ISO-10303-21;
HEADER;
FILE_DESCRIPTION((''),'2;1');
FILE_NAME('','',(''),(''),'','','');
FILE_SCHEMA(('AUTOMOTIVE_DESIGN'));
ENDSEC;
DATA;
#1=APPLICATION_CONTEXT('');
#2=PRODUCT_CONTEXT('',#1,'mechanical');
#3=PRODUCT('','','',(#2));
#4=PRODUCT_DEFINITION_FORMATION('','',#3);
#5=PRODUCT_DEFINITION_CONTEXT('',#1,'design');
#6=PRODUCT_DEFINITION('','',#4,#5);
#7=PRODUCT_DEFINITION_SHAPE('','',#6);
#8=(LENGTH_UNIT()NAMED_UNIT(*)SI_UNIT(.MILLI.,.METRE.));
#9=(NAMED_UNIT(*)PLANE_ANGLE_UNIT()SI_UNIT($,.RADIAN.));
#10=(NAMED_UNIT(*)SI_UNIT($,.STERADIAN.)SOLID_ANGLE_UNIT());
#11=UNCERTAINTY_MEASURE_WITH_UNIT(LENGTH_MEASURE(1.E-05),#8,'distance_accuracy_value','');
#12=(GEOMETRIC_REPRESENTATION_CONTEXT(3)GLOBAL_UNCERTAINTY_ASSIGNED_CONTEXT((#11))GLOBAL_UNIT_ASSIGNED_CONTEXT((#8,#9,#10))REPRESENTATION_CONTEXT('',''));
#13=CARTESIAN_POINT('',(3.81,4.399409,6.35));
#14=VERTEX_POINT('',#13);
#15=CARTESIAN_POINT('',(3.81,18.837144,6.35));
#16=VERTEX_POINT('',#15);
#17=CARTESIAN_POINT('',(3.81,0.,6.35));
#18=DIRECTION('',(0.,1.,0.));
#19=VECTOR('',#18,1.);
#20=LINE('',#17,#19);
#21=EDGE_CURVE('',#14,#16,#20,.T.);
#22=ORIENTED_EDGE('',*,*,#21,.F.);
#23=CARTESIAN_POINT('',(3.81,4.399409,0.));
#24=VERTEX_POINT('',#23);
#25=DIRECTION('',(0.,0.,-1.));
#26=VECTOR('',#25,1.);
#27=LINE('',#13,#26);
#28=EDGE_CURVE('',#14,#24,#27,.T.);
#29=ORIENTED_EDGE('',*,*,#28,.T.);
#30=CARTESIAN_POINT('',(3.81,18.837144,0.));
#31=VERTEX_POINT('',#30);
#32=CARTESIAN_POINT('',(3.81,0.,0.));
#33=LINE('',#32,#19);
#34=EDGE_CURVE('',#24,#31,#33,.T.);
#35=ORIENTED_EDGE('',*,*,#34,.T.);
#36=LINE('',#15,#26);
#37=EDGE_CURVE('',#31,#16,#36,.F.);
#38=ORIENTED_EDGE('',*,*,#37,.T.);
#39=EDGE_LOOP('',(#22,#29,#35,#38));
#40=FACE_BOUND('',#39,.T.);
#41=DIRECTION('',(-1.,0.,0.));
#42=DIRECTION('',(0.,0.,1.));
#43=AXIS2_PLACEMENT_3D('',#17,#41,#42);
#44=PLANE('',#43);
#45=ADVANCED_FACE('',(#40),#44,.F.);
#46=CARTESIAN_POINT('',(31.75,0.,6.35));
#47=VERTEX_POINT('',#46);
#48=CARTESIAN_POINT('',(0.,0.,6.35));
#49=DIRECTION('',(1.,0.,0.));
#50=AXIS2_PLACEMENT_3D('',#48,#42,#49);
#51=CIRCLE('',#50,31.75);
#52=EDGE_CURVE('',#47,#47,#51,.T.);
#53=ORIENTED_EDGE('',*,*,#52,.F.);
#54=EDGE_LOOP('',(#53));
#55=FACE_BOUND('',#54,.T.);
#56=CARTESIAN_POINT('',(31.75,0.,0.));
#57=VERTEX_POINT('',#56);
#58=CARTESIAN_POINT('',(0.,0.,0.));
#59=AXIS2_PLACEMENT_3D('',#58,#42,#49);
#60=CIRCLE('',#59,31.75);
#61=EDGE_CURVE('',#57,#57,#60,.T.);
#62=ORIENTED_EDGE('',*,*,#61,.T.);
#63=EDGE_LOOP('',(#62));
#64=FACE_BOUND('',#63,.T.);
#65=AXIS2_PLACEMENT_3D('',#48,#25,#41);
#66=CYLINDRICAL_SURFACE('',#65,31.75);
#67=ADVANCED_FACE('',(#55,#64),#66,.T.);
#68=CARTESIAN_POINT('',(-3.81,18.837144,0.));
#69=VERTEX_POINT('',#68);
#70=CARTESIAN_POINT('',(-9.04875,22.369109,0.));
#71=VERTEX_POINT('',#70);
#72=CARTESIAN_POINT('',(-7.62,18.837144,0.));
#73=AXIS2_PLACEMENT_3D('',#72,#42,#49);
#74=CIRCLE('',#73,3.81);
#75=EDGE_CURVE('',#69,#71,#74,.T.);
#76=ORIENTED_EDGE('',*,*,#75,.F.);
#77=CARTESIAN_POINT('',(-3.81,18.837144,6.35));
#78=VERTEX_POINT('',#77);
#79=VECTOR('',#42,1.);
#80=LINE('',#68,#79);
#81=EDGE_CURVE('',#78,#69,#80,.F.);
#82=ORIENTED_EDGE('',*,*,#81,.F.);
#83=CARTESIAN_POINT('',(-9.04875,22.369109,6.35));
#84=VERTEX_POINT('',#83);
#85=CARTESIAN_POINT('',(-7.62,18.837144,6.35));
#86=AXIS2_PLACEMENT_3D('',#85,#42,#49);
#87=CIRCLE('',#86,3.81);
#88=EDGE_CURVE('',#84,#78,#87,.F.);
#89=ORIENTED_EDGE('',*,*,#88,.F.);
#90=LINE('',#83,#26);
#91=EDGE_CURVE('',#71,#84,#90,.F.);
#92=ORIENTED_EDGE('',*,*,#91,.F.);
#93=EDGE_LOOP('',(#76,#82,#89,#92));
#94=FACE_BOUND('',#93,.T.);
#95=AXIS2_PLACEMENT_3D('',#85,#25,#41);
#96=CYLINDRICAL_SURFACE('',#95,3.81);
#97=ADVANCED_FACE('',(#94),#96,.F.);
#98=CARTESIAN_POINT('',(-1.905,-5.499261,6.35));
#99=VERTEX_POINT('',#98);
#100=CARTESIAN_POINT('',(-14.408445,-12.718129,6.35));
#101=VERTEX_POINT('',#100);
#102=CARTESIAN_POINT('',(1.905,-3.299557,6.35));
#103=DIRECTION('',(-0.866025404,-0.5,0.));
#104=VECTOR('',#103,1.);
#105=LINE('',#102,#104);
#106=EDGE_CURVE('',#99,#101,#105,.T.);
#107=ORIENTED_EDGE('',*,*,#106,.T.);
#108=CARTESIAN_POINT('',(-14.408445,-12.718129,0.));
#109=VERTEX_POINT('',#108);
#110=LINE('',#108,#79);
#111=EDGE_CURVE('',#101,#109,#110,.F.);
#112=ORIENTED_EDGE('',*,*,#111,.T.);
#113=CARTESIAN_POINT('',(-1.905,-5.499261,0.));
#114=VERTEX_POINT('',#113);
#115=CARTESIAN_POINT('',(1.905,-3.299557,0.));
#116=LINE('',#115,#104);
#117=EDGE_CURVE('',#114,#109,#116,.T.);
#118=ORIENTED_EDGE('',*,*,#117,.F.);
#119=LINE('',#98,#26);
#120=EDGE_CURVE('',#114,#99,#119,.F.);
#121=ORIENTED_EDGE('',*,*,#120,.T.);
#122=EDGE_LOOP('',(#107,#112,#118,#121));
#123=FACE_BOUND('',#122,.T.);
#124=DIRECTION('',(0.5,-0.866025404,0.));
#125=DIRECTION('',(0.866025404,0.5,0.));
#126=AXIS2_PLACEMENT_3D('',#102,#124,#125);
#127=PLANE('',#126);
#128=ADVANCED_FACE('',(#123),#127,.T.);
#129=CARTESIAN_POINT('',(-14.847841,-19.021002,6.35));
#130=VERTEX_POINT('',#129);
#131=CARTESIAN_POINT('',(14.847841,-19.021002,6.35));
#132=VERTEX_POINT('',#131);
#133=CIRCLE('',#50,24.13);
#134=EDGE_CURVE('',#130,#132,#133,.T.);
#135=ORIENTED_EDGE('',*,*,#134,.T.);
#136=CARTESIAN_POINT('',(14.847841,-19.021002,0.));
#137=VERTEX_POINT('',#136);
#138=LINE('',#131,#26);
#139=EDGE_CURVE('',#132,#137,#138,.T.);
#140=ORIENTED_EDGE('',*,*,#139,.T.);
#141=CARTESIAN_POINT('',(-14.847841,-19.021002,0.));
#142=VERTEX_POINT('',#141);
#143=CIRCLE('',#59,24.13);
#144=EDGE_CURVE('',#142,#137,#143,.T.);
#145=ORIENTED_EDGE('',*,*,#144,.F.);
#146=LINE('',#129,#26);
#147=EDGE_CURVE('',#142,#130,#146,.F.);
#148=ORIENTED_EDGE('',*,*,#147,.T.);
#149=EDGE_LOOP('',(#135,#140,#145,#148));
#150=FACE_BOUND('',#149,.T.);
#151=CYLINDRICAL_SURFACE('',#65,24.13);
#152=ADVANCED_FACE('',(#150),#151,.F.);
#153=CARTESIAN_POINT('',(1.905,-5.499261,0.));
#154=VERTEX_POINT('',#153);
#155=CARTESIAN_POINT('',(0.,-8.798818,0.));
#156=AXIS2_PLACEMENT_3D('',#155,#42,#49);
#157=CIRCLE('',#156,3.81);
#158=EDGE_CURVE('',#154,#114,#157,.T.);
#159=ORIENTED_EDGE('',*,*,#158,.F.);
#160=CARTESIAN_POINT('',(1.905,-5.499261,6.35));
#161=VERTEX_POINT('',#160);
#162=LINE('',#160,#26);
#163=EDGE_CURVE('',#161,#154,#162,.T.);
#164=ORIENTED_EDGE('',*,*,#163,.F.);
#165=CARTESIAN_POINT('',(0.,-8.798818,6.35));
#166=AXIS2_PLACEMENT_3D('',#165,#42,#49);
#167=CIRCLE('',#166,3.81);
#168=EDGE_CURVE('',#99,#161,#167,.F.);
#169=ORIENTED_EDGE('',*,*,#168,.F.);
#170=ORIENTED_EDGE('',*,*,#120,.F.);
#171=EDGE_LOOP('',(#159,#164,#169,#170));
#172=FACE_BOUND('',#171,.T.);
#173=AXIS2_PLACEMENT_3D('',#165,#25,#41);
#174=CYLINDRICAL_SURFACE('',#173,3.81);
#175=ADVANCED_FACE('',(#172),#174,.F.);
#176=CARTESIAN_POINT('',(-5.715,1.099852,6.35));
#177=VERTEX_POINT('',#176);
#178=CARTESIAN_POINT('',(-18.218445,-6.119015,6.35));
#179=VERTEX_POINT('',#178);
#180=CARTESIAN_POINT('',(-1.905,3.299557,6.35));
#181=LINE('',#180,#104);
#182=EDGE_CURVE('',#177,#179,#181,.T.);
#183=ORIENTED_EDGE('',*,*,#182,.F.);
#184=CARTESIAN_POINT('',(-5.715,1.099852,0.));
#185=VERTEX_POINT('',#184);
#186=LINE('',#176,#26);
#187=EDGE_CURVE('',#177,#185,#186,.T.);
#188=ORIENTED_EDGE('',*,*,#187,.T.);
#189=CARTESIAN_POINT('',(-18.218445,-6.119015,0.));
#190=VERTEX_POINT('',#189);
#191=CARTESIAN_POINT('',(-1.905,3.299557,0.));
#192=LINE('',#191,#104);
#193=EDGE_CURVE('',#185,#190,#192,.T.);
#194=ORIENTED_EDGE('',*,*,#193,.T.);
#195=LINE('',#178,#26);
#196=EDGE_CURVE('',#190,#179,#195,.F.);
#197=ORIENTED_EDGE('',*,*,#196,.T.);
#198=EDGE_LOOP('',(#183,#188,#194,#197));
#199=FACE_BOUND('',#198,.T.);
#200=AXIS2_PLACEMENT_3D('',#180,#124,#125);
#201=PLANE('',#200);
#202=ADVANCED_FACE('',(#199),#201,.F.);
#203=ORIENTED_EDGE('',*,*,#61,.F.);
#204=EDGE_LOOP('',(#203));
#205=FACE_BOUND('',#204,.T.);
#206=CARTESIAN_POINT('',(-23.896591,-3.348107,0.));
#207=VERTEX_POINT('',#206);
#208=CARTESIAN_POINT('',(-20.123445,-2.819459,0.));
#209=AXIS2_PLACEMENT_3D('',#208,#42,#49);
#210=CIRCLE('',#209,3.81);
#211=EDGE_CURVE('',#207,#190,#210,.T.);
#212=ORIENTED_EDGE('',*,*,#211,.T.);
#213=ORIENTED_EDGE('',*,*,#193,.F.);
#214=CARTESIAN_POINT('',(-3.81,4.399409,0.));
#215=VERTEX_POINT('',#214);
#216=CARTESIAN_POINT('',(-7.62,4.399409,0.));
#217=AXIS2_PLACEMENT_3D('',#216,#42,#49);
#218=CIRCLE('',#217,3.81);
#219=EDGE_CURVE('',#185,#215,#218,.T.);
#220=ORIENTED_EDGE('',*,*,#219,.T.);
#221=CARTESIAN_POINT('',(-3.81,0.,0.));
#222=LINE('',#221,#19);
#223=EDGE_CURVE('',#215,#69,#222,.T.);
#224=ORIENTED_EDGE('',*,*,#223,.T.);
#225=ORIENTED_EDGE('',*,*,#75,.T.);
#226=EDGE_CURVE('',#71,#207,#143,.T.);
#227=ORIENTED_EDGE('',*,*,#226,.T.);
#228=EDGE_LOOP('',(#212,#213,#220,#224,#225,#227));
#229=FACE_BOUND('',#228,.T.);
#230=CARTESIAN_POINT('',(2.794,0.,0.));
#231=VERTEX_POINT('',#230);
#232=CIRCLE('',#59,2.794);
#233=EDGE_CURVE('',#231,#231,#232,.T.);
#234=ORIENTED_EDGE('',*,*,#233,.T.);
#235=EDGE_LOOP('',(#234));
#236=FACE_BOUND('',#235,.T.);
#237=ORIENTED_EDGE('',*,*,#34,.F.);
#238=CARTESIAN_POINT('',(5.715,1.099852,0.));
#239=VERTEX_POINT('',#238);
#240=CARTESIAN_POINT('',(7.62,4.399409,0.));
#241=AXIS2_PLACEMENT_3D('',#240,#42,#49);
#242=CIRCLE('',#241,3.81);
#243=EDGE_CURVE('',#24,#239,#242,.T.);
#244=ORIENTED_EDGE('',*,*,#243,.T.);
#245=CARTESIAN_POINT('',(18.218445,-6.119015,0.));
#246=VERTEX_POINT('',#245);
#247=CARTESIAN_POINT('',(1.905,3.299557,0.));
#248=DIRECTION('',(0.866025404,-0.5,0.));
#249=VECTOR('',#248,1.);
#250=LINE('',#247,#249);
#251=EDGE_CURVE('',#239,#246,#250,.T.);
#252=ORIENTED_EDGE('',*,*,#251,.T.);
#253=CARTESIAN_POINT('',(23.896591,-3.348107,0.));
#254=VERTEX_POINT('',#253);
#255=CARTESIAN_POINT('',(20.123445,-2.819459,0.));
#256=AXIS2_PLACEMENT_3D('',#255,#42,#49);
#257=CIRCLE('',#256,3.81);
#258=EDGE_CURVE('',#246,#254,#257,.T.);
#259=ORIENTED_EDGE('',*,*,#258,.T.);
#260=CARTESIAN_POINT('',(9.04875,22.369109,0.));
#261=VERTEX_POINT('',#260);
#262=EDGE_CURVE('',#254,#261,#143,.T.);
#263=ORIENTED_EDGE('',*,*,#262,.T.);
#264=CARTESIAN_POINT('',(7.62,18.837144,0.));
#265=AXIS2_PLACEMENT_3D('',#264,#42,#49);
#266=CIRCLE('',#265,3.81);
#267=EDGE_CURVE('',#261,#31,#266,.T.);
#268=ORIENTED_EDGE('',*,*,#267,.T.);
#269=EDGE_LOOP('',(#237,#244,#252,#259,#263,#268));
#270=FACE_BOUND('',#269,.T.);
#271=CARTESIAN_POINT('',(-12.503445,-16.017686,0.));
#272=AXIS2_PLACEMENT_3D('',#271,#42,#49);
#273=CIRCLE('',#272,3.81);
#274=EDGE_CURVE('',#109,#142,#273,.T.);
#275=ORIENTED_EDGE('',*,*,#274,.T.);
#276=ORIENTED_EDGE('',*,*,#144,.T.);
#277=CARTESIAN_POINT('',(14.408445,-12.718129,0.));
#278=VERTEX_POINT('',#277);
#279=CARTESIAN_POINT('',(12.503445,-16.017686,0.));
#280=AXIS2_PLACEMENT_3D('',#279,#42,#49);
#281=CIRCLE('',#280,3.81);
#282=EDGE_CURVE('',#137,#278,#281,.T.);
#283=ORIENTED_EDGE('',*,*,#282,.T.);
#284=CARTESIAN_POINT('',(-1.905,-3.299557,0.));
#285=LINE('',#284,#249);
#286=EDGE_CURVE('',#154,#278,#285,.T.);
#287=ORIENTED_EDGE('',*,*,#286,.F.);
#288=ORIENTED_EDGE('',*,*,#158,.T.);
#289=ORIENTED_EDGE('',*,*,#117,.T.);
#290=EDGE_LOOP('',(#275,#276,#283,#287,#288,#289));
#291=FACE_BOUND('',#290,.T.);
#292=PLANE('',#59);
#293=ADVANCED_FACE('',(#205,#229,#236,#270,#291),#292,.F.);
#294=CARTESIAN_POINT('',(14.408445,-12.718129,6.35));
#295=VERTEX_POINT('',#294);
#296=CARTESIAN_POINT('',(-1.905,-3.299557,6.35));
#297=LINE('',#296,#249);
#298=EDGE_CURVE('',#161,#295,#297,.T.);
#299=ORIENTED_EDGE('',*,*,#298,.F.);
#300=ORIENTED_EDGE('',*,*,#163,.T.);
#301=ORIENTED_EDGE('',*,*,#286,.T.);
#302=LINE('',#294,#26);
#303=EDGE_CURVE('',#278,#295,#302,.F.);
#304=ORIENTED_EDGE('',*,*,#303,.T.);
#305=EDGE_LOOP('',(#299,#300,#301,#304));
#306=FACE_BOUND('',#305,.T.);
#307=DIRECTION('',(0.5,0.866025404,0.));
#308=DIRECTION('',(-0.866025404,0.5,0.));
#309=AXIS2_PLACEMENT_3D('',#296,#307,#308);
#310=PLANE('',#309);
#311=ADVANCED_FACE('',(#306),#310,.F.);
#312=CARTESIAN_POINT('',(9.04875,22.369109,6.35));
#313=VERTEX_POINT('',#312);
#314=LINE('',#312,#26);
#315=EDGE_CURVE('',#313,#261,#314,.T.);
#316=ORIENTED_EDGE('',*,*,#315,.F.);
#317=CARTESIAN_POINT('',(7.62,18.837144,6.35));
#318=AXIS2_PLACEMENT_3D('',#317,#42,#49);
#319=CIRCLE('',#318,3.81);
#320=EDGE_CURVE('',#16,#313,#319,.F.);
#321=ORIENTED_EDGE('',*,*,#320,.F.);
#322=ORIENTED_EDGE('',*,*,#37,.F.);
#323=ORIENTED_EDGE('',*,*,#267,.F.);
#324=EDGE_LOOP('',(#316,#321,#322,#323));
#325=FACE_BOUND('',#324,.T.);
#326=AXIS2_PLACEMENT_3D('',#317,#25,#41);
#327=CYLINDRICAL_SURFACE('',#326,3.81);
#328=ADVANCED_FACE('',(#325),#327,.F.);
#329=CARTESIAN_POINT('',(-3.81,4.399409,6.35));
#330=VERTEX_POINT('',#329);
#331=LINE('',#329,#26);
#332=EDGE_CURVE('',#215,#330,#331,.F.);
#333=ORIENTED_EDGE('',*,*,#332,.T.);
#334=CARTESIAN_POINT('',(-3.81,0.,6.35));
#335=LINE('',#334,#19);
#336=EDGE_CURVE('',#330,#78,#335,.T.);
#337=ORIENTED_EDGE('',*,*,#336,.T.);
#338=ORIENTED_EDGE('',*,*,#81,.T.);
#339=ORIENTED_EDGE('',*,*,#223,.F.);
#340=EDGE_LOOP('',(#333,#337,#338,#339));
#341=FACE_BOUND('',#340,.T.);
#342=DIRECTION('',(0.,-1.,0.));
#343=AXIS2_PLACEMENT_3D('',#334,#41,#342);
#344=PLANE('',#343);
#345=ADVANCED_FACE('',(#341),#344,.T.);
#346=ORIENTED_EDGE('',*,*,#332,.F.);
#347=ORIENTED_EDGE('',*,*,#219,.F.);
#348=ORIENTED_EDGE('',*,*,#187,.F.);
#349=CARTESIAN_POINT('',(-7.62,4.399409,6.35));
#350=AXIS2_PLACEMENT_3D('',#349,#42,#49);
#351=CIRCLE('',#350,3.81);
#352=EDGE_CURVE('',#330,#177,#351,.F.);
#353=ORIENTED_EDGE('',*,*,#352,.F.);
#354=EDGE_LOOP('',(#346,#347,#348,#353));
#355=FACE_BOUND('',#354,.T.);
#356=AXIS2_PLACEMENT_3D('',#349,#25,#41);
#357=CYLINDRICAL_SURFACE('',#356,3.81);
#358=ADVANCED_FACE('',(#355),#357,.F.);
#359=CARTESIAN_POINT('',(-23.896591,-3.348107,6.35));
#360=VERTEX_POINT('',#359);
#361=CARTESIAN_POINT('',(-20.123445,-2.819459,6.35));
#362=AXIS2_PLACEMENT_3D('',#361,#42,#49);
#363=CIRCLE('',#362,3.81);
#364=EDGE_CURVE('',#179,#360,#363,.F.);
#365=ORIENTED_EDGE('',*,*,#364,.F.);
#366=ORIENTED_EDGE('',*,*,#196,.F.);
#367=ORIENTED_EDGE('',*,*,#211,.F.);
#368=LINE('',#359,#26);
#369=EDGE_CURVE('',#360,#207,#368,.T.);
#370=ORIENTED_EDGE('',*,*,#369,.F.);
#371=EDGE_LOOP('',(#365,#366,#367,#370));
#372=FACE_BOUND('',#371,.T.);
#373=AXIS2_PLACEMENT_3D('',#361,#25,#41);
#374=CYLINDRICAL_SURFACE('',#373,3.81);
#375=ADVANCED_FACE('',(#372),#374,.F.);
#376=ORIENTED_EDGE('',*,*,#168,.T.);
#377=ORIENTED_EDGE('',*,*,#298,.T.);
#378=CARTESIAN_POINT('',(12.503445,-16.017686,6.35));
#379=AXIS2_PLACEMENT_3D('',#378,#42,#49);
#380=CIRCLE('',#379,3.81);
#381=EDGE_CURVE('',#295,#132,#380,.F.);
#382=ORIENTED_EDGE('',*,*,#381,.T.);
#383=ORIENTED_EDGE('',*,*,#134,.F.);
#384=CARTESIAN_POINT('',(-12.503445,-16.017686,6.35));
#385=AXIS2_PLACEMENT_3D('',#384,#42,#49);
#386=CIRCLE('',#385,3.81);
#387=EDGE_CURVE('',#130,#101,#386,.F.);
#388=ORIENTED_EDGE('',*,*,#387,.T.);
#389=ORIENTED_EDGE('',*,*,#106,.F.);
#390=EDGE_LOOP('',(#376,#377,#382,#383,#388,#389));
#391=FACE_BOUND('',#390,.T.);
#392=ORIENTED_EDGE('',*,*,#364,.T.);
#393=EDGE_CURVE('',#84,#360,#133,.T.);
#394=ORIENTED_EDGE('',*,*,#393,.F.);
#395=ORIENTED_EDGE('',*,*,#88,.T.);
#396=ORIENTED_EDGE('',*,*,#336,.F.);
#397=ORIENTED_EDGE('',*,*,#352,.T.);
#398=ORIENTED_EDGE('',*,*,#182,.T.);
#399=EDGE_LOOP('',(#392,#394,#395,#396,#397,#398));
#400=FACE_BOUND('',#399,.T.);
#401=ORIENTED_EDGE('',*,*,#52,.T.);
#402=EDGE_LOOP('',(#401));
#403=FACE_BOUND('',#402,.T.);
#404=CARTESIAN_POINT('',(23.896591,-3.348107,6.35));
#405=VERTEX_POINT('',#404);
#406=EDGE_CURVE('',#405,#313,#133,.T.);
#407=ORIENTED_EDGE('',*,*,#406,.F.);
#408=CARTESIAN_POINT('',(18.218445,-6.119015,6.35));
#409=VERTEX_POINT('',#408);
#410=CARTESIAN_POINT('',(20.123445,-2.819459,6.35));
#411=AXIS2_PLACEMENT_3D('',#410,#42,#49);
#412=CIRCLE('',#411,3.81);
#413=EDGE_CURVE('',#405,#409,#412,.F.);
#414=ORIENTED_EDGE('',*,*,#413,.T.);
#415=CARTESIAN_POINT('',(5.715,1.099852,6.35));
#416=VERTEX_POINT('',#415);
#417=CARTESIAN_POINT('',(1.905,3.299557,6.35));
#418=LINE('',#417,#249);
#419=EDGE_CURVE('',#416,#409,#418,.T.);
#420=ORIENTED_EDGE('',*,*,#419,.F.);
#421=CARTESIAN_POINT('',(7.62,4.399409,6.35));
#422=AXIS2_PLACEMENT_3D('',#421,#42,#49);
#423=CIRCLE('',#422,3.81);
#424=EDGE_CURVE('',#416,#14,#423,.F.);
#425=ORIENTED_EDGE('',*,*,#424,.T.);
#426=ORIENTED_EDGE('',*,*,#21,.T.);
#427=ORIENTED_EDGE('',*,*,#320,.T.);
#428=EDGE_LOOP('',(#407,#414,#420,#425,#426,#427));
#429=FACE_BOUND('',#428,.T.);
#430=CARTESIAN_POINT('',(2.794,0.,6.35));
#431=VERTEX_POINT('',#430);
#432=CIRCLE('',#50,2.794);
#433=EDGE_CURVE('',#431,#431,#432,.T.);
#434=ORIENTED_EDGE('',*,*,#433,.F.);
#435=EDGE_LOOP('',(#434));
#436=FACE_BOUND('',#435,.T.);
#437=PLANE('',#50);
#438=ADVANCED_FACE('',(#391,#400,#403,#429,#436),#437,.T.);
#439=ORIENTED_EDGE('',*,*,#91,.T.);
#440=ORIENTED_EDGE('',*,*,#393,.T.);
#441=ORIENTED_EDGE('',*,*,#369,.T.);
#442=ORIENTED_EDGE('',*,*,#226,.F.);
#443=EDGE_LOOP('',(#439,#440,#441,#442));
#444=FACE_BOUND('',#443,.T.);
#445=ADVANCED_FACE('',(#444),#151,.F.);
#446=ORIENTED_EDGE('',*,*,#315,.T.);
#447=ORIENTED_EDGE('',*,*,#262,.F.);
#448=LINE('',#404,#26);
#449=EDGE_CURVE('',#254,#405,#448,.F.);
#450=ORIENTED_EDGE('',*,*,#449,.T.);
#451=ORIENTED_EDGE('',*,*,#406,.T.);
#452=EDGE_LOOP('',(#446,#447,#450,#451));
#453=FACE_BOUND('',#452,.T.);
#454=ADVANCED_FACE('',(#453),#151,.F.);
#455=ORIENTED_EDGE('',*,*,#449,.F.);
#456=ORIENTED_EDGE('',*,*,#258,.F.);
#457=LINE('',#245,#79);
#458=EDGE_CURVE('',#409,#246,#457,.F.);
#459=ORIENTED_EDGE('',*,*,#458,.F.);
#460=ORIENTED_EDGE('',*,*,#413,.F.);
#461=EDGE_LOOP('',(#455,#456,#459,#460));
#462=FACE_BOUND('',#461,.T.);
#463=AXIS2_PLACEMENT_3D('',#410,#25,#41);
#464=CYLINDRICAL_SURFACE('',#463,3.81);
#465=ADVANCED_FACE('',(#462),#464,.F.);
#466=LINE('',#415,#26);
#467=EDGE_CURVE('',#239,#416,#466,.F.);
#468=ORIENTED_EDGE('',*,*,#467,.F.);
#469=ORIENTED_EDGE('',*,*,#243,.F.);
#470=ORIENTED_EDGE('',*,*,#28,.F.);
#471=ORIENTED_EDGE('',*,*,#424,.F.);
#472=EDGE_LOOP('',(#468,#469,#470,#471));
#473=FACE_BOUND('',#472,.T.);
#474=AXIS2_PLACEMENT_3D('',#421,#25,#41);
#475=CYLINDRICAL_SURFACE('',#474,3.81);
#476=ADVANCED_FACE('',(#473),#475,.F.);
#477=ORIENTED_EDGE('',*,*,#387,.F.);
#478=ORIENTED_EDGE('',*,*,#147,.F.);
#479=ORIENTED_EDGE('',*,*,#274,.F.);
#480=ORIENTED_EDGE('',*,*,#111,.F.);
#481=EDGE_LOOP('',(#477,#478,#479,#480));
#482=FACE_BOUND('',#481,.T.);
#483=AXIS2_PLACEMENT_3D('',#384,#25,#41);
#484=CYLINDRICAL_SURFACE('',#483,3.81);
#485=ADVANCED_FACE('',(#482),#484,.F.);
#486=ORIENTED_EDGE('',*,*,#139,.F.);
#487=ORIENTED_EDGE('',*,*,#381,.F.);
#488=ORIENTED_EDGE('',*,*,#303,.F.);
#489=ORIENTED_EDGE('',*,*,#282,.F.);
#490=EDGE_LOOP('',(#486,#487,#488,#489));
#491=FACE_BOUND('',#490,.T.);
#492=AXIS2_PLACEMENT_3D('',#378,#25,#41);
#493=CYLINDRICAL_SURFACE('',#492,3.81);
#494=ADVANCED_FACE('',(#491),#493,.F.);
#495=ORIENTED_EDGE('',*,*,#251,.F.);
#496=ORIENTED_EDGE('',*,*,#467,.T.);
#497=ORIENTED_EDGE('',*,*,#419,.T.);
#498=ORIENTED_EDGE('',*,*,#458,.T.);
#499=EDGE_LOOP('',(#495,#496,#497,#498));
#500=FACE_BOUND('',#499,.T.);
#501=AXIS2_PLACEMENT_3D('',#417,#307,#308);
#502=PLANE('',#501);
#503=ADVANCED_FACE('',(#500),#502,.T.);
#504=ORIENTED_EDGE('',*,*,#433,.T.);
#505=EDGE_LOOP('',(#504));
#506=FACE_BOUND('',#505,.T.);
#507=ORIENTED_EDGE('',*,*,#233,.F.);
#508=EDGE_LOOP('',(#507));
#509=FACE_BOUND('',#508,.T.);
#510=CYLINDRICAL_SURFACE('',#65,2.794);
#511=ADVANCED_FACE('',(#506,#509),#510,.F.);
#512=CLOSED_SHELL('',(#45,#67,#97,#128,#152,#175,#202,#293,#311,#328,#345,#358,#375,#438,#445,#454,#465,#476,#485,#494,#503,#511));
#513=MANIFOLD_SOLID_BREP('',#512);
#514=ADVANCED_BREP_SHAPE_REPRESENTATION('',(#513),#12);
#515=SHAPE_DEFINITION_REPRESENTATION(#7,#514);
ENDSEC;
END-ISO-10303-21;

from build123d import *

# Parameters (mm, degrees)
SKETCH1_R           = 31.75
SKETCH1_R_2         = 2.794
BOSS_EXTRUDE3_DEPTH = 6.35
FILLET1_R           = 3.81


with BuildPart() as part:
    # Sketch1 → Boss-Extrude3 (new body)
    with BuildSketch(Plane.XY):
        Circle(SKETCH1_R)
        with BuildLine():
            Line((-18.730057548, -15.213212818), (0, -4.399409051))
            Line((0, -4.399409051), (18.730057548, -15.213212818))
            ThreePointArc((18.730057548, -15.213212818), (0, -24.13), (-18.730057548, -15.213212818))
        make_face(mode=Mode.SUBTRACT)
        with BuildLine():
            Line((-3.81, 23.82731206), (-3.81, 2.199704526))
            Line((-3.81, 2.199704526), (-22.540057548, -8.614099242))
            ThreePointArc((-22.540057548, -8.614099242), (-20.897192993, 12.065), (-3.81, 23.82731206))
        make_face(mode=Mode.SUBTRACT)
        Circle(SKETCH1_R_2, mode=Mode.SUBTRACT)
        with BuildLine():
            Line((22.540057548, -8.614099242), (3.81, 2.199704526))
            Line((3.81, 2.199704526), (3.81, 23.82731206))
            ThreePointArc((3.81, 23.82731206), (20.897192993, 12.065), (22.540057548, -8.614099242))
        make_face(mode=Mode.SUBTRACT)
    extrude(amount=BOSS_EXTRUDE3_DEPTH)

    # Fillet1
    fillet1_edges = [part.edges().sort_by_distance(p)[0] for p in [
        (18.730057548, -15.213212818, 3.175),
        (0, -4.399409051, 3.175),
        (-18.730057548, -15.213212818, 3.175),
        (3.81, 23.82731206, 3.175),
        (3.81, 2.199704526, 3.175),
        (22.540057548, -8.614099242, 3.175),
        (-22.540057548, -8.614099242, 3.175),
        (-3.81, 2.199704526, 3.175),
        (-3.81, 23.82731206, 3.175),
    ]]
    fillet(fillet1_edges, radius=FILLET1_R)


solid = part.part
